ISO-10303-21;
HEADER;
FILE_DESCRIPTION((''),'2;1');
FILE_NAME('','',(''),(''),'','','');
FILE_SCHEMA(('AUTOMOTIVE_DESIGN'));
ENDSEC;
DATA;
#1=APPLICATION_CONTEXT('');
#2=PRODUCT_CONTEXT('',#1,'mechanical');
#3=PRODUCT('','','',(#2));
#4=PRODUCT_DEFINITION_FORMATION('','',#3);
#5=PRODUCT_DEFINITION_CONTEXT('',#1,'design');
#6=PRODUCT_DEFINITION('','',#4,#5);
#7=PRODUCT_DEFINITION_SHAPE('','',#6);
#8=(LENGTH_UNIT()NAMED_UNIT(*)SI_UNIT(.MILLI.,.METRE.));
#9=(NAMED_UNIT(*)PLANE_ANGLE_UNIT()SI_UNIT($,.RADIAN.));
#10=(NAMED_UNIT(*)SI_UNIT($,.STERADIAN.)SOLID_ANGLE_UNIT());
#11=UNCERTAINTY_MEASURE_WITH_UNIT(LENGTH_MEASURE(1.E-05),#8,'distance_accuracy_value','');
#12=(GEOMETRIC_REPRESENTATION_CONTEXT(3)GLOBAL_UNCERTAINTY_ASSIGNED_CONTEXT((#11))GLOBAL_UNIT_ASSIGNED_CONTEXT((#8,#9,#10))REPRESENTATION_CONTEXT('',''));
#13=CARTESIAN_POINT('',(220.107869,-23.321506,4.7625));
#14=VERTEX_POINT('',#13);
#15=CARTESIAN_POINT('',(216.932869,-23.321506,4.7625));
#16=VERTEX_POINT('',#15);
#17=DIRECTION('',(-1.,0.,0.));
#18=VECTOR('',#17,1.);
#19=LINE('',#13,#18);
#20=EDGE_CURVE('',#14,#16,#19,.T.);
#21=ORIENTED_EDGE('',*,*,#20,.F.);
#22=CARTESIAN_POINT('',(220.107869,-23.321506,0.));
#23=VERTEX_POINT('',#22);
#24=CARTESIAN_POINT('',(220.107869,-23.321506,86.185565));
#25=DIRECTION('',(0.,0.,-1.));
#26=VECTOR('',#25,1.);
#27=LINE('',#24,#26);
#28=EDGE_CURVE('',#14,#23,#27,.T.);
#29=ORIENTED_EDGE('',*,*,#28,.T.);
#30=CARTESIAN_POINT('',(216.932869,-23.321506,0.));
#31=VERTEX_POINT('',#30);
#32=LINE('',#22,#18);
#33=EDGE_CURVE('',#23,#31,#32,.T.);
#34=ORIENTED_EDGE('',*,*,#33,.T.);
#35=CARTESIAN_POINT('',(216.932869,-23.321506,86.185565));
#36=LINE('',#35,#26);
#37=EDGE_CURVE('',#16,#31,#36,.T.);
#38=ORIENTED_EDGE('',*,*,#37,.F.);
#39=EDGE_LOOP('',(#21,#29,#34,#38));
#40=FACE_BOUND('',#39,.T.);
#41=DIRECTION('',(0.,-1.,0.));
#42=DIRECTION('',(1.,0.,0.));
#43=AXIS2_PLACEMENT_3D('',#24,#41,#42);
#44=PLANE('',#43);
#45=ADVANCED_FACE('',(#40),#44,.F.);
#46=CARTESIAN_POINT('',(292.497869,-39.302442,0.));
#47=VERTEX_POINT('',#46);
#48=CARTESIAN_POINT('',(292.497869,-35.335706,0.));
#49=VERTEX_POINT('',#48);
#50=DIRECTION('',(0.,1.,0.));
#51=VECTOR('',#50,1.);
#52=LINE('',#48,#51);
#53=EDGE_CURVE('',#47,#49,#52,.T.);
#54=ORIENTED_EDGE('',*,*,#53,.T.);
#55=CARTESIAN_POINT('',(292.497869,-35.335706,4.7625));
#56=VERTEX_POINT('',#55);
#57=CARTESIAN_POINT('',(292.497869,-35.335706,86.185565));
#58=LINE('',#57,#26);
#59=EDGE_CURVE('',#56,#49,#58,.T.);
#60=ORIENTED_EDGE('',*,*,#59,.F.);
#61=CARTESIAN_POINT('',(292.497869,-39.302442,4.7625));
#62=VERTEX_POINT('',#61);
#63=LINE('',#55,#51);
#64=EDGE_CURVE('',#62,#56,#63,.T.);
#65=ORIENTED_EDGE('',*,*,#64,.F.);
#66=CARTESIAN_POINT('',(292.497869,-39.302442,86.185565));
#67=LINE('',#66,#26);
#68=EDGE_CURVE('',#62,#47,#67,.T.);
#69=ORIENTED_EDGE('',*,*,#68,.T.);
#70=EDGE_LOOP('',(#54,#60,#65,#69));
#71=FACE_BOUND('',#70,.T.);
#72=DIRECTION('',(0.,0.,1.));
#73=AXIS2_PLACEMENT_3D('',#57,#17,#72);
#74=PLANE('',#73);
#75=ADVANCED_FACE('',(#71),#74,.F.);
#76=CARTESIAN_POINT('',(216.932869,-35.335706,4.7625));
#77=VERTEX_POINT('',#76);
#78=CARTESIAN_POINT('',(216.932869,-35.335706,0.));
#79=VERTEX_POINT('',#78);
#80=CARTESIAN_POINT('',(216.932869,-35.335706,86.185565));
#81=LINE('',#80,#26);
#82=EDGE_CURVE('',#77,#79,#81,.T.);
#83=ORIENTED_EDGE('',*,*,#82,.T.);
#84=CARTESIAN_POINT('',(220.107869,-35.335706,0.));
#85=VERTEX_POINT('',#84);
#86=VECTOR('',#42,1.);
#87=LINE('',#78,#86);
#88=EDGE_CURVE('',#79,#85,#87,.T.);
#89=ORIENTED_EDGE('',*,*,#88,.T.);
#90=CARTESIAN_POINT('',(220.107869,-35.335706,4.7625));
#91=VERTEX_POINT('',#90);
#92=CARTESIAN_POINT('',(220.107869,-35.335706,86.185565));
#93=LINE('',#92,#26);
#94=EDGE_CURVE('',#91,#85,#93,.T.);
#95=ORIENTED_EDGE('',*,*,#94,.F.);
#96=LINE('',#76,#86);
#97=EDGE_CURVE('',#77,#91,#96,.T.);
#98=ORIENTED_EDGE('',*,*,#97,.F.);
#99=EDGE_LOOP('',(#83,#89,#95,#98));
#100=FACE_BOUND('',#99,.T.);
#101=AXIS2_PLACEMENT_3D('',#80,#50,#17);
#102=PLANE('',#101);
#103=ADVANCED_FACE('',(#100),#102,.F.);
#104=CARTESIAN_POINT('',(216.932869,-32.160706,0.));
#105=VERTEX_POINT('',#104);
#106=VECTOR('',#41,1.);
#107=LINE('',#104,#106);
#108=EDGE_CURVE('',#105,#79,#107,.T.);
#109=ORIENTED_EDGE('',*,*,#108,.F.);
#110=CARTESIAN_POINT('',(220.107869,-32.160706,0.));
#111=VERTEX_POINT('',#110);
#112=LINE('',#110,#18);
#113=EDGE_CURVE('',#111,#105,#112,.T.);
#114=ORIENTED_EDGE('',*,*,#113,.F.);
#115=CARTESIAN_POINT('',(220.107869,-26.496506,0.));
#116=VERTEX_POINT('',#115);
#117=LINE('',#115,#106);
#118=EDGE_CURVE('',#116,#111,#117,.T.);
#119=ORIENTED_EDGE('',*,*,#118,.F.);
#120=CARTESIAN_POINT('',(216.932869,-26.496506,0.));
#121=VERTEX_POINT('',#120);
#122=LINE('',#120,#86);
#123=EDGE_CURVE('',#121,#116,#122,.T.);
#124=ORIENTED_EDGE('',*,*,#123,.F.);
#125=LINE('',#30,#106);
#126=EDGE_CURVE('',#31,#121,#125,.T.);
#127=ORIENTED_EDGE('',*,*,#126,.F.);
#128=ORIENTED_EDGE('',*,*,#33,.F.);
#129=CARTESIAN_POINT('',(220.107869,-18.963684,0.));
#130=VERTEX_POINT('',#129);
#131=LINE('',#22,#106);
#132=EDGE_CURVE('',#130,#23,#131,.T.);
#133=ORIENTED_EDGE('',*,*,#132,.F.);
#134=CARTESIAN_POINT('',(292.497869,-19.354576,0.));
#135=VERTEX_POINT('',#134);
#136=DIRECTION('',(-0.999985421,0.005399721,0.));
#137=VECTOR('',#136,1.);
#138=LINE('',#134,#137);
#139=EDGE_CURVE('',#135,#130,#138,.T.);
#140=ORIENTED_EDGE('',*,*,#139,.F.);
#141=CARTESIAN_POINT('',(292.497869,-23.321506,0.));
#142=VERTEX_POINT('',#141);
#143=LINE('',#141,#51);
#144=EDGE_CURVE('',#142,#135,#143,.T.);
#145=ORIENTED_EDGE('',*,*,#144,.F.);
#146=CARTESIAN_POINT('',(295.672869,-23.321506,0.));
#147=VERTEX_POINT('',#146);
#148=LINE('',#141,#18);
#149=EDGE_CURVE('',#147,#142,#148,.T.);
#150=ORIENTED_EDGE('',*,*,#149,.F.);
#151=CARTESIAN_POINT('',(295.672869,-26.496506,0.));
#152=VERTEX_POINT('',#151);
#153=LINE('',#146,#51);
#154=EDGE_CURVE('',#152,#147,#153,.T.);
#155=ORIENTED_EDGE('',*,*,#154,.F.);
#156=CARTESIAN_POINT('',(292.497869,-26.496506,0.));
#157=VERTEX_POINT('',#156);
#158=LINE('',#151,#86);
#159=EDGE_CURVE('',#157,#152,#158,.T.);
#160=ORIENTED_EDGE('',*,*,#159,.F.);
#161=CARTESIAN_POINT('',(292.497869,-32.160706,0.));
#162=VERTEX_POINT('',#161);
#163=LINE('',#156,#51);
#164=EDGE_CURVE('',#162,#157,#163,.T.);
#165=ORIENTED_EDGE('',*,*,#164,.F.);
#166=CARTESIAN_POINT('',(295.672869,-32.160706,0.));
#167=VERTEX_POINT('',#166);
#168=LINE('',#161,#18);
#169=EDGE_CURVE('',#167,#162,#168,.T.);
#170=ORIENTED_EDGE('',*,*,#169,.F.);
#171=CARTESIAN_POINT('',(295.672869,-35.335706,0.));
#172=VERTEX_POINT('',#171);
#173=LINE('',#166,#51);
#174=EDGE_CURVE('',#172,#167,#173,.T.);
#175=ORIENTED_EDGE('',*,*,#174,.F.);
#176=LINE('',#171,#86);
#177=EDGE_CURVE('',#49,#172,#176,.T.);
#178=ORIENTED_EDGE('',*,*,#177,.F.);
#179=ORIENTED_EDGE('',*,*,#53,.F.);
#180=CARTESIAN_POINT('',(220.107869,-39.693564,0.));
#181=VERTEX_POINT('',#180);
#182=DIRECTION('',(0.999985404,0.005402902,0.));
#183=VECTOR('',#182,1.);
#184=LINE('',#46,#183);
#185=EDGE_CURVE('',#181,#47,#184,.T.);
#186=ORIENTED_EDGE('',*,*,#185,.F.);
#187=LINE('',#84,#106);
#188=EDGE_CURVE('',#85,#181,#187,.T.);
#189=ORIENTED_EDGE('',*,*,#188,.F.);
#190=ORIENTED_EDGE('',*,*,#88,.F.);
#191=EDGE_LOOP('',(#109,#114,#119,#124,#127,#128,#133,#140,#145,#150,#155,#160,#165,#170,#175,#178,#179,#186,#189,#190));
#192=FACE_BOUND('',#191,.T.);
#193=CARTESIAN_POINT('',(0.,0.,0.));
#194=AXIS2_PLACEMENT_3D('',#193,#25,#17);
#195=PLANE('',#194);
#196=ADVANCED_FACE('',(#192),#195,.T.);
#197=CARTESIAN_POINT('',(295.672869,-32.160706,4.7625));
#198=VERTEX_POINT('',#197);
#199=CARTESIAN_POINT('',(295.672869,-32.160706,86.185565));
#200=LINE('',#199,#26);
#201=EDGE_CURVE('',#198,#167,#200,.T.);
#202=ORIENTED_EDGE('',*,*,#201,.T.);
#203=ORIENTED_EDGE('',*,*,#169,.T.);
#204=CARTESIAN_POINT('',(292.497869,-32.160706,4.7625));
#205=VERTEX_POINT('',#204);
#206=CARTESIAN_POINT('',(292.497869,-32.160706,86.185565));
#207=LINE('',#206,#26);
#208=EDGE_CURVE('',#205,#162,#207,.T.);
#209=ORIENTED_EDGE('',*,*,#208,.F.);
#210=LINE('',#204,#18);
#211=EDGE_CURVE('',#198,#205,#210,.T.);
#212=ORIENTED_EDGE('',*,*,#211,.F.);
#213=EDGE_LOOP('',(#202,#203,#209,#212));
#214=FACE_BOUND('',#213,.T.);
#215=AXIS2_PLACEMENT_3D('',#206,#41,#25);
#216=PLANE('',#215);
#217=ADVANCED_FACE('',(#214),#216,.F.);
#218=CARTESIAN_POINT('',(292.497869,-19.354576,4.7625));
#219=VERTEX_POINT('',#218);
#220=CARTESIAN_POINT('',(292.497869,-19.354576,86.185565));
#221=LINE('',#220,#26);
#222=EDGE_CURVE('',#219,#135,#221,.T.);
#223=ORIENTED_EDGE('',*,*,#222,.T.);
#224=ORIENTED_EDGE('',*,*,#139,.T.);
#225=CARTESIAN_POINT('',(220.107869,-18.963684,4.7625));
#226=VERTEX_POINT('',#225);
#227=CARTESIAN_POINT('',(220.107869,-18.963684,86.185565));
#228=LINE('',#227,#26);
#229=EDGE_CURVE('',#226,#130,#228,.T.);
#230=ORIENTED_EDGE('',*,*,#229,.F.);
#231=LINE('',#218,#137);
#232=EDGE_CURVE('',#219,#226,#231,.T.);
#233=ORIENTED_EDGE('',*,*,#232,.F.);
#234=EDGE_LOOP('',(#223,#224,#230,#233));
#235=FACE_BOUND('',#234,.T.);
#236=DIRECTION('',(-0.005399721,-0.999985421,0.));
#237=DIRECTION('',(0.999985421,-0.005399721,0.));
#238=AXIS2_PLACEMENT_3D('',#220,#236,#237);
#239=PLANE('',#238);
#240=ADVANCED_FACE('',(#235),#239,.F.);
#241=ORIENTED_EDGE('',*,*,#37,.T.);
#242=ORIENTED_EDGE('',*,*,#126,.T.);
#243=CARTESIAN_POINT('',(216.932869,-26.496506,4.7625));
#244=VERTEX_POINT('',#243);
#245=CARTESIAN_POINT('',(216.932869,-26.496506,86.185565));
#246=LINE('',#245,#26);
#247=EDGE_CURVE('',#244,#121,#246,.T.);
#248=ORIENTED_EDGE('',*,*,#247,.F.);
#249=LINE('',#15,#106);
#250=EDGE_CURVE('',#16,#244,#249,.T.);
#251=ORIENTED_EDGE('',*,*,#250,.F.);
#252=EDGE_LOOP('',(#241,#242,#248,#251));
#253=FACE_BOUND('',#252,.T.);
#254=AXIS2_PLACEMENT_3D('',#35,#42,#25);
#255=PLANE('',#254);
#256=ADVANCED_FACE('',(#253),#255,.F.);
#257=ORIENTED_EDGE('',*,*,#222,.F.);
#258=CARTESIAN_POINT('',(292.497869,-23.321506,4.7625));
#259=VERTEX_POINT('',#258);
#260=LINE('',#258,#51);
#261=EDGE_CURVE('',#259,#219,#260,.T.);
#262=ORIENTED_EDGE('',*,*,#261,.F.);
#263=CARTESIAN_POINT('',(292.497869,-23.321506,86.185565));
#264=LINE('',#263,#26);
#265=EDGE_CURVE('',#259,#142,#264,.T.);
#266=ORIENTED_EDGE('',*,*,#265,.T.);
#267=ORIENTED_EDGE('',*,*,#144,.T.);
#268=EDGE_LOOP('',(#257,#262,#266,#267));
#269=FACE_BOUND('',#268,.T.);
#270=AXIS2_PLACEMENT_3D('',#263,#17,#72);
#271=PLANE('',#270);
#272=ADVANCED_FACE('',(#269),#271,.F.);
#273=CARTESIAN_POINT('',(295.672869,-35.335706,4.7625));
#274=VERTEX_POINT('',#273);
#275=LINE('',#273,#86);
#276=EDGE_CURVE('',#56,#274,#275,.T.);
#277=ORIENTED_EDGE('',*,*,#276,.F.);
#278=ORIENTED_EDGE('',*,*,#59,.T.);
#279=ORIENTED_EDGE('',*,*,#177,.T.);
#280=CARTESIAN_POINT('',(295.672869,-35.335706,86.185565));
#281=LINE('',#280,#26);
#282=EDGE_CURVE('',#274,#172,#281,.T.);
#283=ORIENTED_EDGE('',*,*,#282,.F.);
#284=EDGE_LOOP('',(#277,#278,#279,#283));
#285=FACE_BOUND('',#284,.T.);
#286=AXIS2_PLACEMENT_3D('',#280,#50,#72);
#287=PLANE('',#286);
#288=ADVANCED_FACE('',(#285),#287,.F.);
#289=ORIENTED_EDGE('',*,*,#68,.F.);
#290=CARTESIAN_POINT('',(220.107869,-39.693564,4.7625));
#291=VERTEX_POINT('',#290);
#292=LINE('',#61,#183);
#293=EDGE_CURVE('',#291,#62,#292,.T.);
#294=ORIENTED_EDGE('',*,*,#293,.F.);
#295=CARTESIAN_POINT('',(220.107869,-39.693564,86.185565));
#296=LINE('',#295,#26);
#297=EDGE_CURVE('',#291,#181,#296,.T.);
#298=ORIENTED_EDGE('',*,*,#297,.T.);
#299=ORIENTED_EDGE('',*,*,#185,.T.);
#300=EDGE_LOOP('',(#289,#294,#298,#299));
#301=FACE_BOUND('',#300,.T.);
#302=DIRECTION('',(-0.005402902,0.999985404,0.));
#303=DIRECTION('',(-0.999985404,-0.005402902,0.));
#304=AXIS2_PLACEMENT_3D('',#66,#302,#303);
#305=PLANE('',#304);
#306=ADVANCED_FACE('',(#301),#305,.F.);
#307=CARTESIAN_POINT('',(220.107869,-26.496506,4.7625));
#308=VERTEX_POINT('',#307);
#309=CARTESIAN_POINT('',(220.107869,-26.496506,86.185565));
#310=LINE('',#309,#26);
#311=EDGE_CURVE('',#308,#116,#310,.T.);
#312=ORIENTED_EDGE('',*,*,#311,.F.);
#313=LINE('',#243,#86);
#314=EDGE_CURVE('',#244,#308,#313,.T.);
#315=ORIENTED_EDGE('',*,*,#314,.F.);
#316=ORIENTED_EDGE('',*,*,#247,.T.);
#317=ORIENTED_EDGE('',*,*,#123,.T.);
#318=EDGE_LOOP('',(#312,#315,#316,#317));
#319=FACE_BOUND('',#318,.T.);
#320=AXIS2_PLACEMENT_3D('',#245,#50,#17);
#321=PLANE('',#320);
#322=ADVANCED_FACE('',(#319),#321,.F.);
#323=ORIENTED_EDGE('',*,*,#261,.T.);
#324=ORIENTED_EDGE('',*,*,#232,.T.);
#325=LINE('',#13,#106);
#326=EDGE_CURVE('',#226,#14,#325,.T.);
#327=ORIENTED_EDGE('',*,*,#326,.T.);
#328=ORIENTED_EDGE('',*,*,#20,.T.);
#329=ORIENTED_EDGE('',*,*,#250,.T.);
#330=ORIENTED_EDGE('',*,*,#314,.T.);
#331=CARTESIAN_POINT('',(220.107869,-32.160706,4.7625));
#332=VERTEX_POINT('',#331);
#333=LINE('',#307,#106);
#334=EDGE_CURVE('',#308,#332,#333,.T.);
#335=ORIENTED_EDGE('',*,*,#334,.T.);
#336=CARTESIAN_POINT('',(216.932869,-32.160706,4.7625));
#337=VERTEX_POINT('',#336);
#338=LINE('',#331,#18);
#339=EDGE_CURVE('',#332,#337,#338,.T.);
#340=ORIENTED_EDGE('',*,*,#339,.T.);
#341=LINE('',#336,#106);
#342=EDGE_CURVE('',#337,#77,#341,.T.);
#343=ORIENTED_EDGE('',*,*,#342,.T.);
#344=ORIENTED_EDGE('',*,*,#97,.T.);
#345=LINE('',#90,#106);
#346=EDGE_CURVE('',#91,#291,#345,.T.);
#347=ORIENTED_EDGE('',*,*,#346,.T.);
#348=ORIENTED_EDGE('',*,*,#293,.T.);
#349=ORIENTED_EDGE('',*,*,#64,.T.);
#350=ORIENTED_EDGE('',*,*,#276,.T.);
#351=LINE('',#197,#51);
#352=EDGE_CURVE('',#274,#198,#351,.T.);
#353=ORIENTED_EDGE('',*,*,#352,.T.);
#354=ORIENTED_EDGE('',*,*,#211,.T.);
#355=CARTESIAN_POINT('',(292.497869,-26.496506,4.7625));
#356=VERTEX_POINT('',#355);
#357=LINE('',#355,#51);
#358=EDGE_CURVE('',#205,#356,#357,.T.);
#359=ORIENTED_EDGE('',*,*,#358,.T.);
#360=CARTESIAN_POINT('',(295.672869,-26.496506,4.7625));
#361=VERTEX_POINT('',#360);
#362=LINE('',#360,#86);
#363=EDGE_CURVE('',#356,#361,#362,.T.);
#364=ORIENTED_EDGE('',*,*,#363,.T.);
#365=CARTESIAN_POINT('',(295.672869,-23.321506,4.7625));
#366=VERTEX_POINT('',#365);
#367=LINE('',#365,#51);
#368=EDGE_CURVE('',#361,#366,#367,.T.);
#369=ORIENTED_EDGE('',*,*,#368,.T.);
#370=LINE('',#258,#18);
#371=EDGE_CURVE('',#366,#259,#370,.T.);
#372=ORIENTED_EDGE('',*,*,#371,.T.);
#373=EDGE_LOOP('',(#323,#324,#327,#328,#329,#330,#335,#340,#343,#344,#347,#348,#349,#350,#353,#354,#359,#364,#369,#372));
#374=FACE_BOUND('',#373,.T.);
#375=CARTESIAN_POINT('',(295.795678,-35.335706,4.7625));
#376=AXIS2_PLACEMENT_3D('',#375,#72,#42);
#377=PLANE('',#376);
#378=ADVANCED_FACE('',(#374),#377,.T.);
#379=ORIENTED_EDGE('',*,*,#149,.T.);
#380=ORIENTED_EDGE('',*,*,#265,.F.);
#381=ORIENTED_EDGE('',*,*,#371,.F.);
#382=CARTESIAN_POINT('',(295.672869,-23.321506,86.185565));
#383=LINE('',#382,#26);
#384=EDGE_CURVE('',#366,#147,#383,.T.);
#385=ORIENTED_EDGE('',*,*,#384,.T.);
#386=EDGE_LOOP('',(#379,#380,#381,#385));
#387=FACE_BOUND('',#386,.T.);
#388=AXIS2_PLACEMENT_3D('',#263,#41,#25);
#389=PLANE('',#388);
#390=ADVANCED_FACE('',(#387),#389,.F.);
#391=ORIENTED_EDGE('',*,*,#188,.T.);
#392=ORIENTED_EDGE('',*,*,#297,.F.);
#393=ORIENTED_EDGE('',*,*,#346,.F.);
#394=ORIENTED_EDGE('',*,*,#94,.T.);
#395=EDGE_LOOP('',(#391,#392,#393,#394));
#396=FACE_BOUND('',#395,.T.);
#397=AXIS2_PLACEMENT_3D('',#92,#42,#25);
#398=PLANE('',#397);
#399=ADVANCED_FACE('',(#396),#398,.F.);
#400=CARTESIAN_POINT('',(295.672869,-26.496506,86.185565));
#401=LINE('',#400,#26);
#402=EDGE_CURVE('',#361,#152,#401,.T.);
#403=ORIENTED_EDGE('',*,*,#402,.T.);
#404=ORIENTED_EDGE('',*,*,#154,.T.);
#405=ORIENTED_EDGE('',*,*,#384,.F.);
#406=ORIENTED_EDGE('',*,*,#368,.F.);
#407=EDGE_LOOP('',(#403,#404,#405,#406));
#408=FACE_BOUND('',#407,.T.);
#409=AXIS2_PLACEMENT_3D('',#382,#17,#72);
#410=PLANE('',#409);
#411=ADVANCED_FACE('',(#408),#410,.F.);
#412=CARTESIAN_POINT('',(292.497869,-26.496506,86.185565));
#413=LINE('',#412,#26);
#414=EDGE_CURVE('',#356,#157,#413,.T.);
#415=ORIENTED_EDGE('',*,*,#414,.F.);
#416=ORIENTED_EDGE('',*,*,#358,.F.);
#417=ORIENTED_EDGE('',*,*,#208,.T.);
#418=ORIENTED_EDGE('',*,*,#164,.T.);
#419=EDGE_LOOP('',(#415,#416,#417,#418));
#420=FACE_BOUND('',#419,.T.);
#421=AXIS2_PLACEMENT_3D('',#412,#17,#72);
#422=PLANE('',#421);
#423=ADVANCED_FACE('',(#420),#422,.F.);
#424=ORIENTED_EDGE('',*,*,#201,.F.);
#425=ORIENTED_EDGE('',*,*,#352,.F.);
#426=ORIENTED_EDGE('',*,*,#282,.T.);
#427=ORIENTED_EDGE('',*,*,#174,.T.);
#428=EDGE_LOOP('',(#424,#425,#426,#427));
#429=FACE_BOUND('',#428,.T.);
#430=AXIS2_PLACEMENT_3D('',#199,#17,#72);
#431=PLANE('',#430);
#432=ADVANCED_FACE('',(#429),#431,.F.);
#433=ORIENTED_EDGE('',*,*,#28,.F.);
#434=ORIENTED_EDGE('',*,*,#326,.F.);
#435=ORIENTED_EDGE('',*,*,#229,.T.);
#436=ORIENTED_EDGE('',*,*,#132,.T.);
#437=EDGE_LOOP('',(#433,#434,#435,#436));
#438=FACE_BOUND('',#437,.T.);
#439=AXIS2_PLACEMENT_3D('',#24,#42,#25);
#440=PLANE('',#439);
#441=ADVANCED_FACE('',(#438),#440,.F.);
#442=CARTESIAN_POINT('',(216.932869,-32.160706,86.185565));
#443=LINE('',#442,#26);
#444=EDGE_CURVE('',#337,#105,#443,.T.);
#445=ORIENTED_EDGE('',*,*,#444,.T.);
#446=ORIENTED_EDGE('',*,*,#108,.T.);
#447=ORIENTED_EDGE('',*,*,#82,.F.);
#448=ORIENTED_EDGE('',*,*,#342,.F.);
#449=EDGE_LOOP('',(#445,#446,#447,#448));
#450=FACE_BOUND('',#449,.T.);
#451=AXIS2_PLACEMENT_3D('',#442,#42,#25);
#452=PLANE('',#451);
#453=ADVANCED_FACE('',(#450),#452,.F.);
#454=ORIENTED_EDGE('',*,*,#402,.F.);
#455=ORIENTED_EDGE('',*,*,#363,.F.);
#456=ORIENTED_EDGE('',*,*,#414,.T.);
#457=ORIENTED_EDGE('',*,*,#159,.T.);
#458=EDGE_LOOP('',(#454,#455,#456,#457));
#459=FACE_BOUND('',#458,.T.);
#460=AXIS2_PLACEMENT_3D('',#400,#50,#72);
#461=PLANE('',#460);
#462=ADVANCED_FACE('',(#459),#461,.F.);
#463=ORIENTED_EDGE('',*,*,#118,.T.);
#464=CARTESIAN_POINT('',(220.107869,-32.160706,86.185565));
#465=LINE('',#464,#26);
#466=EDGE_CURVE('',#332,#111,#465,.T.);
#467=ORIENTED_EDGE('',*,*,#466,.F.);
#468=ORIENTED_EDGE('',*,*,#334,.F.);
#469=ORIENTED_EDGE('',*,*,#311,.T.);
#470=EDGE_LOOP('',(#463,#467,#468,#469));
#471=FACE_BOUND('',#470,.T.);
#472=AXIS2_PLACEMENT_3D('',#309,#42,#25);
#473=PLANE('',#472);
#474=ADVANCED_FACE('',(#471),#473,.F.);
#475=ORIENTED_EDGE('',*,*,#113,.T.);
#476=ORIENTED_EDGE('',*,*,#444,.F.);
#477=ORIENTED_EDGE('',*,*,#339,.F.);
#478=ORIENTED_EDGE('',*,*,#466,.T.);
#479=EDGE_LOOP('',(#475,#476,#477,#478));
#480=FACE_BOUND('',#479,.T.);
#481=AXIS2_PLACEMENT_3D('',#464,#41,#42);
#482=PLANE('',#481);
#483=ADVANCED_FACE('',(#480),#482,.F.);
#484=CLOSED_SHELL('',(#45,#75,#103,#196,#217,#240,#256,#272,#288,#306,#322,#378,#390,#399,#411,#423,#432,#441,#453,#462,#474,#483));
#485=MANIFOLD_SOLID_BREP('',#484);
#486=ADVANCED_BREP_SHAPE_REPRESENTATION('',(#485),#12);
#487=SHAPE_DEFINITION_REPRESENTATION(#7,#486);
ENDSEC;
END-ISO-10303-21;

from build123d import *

# Parameters (mm, degrees)
BOSS_EXTRUDE1_DEPTH = 4.7625


with BuildPart() as part:
    # Sketch1 → Boss-Extrude1 (new body)
    with BuildSketch(Plane.XY):
        Polygon((220.107868923, -23.321505778), (216.932868923, -23.321505778), (216.932868923, -26.496505778), (220.107868923, -26.496505778), (220.107868923, -32.160705778), (216.932868923, -32.160705778), (216.932868923, -35.335705778), (220.107868923, -35.335705778), (220.107868923, -39.693563587), (292.497868923, -39.302441805), (292.497868923, -35.335705778), (295.672868923, -35.335705778), (295.672868923, -32.160705778), (292.497868923, -32.160705778), (292.497868923, -26.496505778), (295.672868923, -26.496505778), (295.672868923, -23.321505778), (292.497868923, -23.321505778), (292.497868923, -19.354575863), (220.107868923, -18.963684396), align=None)
    extrude(amount=BOSS_EXTRUDE1_DEPTH)


solid = part.part
